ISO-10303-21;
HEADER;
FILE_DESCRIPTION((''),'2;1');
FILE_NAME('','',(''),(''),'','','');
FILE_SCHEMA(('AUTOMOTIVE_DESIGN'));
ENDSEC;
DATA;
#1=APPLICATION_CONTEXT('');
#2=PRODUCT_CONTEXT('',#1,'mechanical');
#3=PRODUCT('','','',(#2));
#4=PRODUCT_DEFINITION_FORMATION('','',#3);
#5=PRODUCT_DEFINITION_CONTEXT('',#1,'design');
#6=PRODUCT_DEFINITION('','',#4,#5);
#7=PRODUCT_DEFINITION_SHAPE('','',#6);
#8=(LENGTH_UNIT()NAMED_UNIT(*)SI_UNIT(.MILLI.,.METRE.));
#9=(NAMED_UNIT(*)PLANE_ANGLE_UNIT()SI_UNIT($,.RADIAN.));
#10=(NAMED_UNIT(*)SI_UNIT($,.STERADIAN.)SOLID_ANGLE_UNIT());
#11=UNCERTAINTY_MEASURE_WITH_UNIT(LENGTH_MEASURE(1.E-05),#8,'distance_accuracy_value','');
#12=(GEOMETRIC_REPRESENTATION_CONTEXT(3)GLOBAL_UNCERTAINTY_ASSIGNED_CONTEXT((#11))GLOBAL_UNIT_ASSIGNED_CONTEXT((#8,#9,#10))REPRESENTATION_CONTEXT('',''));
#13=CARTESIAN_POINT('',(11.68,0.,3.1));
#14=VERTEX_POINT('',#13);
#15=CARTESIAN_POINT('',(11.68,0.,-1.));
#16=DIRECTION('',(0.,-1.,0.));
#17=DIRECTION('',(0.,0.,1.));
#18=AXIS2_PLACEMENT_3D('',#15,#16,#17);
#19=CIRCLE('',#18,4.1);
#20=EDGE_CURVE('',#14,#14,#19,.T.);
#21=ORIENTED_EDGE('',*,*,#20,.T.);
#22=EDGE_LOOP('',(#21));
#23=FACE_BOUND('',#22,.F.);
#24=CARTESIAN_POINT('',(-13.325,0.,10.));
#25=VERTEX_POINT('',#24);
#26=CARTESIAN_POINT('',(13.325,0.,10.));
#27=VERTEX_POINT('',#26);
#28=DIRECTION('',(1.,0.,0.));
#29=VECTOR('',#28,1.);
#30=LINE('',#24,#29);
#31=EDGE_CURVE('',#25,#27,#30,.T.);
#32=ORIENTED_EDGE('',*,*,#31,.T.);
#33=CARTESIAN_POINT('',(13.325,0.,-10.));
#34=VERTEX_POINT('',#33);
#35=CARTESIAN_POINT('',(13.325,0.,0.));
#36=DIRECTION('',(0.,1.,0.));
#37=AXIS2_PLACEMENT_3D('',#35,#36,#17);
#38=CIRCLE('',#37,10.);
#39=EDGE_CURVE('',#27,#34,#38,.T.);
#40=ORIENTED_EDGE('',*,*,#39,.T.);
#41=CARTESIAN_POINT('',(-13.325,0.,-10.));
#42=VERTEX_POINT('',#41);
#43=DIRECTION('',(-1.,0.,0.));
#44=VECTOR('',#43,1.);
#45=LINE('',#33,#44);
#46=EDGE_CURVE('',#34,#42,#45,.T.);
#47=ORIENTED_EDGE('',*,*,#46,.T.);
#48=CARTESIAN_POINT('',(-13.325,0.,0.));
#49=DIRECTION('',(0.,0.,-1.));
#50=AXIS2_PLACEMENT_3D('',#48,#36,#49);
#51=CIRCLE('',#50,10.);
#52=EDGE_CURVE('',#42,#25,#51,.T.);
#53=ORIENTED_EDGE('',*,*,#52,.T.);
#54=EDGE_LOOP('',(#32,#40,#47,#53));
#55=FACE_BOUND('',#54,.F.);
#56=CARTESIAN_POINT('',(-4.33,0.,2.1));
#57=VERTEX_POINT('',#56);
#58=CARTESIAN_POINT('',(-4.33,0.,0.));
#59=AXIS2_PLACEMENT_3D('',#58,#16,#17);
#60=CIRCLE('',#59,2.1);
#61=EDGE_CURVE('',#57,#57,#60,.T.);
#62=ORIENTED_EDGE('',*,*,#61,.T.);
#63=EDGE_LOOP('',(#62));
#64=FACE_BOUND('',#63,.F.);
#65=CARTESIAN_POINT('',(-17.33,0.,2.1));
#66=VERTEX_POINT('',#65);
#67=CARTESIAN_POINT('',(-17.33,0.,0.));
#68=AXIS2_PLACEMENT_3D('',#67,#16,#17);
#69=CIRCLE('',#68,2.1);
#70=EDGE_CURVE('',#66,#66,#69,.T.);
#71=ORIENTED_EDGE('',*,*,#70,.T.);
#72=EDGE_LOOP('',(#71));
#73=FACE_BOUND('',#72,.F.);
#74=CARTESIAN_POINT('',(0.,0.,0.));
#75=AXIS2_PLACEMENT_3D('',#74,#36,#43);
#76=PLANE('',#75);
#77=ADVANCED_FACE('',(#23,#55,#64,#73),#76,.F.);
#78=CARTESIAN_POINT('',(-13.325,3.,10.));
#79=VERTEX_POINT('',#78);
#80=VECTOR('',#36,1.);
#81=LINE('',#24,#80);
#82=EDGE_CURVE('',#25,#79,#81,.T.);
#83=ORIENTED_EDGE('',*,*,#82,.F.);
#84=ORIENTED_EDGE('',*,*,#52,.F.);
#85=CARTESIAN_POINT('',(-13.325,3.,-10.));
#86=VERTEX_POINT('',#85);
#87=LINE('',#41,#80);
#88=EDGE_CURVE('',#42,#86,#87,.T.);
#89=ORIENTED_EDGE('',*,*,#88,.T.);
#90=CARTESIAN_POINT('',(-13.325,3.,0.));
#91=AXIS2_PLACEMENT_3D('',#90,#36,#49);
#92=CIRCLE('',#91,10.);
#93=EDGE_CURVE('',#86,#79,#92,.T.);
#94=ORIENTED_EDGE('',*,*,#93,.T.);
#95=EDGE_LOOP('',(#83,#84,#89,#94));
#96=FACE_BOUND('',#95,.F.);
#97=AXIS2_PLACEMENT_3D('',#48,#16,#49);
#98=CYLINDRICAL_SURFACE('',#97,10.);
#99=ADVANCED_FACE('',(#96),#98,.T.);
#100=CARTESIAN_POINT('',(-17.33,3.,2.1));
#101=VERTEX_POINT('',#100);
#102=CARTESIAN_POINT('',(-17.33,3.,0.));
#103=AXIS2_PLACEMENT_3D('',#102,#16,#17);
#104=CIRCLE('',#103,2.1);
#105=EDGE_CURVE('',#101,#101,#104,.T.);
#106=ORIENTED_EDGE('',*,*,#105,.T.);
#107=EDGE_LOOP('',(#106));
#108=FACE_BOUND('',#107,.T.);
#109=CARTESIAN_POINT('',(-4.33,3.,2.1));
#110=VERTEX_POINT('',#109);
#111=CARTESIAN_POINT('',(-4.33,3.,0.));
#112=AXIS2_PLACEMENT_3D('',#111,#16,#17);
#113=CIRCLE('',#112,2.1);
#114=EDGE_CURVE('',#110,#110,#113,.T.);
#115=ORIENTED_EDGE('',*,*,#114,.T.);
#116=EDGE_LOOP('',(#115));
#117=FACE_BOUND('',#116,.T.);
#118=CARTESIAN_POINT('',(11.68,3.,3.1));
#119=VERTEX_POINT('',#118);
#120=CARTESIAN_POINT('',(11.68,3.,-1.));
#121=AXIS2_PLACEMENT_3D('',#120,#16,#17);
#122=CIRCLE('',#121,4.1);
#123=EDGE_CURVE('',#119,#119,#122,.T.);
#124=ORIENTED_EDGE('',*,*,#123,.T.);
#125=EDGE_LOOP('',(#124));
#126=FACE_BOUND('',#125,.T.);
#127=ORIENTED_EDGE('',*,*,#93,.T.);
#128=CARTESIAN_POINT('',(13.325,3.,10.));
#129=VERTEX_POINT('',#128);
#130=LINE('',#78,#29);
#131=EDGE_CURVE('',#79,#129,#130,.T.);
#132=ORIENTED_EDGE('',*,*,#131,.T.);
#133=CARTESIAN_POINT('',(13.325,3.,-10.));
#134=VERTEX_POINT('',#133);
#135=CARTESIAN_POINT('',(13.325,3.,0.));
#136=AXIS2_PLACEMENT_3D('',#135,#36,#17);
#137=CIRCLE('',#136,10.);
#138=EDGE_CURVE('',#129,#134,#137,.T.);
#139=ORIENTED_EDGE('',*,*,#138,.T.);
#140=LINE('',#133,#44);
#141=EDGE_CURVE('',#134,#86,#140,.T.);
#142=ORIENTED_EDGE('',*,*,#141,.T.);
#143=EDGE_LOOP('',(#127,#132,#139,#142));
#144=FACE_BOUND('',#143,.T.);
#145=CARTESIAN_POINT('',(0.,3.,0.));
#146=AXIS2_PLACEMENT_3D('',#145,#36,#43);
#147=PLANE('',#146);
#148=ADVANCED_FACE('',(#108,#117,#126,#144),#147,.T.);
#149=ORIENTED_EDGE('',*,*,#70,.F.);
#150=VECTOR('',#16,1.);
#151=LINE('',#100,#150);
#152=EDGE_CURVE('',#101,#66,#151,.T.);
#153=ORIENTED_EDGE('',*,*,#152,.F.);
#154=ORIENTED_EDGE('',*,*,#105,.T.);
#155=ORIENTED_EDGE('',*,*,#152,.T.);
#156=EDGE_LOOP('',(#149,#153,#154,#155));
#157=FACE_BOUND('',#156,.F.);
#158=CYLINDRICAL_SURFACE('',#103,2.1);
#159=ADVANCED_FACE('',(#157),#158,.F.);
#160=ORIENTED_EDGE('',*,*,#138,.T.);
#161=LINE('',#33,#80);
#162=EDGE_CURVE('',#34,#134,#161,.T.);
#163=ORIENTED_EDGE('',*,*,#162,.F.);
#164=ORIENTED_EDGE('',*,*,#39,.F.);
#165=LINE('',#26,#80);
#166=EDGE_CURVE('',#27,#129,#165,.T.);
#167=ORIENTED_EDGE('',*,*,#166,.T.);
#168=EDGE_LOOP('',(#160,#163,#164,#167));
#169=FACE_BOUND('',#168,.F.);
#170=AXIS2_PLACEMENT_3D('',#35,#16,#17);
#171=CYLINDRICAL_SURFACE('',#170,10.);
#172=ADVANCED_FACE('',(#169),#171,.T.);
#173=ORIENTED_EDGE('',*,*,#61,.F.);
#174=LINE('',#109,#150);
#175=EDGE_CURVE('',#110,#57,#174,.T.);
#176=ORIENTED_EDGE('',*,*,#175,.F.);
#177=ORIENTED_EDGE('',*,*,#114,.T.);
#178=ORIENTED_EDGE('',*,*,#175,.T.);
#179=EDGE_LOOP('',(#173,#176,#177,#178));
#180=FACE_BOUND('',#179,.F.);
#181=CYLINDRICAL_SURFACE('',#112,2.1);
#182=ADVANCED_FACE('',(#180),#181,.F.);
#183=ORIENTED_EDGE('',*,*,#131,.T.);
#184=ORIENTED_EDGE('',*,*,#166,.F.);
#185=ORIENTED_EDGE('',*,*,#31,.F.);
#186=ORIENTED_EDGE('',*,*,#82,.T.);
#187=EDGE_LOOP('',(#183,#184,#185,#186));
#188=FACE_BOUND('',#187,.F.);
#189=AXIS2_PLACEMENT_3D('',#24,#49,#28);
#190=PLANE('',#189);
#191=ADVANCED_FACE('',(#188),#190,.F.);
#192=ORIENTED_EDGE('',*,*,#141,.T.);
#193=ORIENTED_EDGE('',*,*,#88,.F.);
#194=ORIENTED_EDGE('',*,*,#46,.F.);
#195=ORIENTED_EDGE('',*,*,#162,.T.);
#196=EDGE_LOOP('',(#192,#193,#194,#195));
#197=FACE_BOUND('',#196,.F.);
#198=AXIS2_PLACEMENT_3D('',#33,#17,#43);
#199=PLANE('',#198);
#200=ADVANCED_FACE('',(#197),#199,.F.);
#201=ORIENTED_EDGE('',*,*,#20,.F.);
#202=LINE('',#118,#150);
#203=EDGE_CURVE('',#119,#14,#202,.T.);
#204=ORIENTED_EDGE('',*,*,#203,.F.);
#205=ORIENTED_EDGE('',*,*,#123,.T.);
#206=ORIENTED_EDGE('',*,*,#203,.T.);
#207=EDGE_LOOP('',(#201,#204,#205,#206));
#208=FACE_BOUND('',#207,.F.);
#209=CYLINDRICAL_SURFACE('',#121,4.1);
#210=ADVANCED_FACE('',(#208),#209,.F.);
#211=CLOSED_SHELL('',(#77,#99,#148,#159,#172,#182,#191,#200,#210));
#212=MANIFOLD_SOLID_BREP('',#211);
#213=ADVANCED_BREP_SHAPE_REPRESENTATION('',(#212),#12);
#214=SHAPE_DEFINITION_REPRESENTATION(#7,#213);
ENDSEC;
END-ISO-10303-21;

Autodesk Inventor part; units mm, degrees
ref_plane "YZ Plane" through (0, 0, 0) normal (1, 0, 0) x (0, 1, 0)
ref_plane "XZ Plane" through (0, 0, 0) normal (0, 1, 0) x (-1, 0, 0)
ref_plane "XY Plane" through (0, 0, 0) normal (0, 0, 1) x (1, 0, 0)
sketch "Sketch1" plane through (0, 0, 0) normal (0, 1, 0) x (-1, 0, 0)
  line L0 (13.325, 0) -> (-13.325, 0) construction
  line L1 (13.325, 10) -> (-13.325, 10)
  line L2 (-13.325, -10) -> (13.325, -10)
  arc A0 (13.325, -10) -> (13.325, 10) centre (13.325, 0) ccw
  arc A1 (-13.325, 10) -> (-13.325, -10) centre (-13.325, 0) ccw
  point P0 (0, 0)
  dimension "d0" = 26.65
  dimension "d1" = 20
extrude "Extrusion1" add sketch "Sketch1" along normal blind 3
sketch "Sketch2" plane through (0, 3, 0) normal (0, 1, 0) x (1, 0, 0)
  point P0 (0, 0)
  point P1 (-17.33, 0)
  point P2 (-4.33, 0)
  dimension "d4" = 17.33
  dimension "d5" = 4.33
hole "Hole1" at (-17.33, 3, 0) at (-4.33, 3, 0) direction (0, -1, 0) diameter 4.2 end through all
sketch "Sketch3" plane through (0, 3, 0) normal (0, 1, 0) x (1, 0, 0)
  line L0 (-32.655, 0) -> (32.655, 0) projected
  point P0 (0, 0)
  point P1 (11.68, 1)
  dimension "d13" = 1
  dimension "d14" = 11.68
hole "Hole2" at (11.68, 3, -1) direction (0, -1, 0) diameter 8.2 end through all
properties part number "X Adjustment Block" material "Aluminum 6061"
